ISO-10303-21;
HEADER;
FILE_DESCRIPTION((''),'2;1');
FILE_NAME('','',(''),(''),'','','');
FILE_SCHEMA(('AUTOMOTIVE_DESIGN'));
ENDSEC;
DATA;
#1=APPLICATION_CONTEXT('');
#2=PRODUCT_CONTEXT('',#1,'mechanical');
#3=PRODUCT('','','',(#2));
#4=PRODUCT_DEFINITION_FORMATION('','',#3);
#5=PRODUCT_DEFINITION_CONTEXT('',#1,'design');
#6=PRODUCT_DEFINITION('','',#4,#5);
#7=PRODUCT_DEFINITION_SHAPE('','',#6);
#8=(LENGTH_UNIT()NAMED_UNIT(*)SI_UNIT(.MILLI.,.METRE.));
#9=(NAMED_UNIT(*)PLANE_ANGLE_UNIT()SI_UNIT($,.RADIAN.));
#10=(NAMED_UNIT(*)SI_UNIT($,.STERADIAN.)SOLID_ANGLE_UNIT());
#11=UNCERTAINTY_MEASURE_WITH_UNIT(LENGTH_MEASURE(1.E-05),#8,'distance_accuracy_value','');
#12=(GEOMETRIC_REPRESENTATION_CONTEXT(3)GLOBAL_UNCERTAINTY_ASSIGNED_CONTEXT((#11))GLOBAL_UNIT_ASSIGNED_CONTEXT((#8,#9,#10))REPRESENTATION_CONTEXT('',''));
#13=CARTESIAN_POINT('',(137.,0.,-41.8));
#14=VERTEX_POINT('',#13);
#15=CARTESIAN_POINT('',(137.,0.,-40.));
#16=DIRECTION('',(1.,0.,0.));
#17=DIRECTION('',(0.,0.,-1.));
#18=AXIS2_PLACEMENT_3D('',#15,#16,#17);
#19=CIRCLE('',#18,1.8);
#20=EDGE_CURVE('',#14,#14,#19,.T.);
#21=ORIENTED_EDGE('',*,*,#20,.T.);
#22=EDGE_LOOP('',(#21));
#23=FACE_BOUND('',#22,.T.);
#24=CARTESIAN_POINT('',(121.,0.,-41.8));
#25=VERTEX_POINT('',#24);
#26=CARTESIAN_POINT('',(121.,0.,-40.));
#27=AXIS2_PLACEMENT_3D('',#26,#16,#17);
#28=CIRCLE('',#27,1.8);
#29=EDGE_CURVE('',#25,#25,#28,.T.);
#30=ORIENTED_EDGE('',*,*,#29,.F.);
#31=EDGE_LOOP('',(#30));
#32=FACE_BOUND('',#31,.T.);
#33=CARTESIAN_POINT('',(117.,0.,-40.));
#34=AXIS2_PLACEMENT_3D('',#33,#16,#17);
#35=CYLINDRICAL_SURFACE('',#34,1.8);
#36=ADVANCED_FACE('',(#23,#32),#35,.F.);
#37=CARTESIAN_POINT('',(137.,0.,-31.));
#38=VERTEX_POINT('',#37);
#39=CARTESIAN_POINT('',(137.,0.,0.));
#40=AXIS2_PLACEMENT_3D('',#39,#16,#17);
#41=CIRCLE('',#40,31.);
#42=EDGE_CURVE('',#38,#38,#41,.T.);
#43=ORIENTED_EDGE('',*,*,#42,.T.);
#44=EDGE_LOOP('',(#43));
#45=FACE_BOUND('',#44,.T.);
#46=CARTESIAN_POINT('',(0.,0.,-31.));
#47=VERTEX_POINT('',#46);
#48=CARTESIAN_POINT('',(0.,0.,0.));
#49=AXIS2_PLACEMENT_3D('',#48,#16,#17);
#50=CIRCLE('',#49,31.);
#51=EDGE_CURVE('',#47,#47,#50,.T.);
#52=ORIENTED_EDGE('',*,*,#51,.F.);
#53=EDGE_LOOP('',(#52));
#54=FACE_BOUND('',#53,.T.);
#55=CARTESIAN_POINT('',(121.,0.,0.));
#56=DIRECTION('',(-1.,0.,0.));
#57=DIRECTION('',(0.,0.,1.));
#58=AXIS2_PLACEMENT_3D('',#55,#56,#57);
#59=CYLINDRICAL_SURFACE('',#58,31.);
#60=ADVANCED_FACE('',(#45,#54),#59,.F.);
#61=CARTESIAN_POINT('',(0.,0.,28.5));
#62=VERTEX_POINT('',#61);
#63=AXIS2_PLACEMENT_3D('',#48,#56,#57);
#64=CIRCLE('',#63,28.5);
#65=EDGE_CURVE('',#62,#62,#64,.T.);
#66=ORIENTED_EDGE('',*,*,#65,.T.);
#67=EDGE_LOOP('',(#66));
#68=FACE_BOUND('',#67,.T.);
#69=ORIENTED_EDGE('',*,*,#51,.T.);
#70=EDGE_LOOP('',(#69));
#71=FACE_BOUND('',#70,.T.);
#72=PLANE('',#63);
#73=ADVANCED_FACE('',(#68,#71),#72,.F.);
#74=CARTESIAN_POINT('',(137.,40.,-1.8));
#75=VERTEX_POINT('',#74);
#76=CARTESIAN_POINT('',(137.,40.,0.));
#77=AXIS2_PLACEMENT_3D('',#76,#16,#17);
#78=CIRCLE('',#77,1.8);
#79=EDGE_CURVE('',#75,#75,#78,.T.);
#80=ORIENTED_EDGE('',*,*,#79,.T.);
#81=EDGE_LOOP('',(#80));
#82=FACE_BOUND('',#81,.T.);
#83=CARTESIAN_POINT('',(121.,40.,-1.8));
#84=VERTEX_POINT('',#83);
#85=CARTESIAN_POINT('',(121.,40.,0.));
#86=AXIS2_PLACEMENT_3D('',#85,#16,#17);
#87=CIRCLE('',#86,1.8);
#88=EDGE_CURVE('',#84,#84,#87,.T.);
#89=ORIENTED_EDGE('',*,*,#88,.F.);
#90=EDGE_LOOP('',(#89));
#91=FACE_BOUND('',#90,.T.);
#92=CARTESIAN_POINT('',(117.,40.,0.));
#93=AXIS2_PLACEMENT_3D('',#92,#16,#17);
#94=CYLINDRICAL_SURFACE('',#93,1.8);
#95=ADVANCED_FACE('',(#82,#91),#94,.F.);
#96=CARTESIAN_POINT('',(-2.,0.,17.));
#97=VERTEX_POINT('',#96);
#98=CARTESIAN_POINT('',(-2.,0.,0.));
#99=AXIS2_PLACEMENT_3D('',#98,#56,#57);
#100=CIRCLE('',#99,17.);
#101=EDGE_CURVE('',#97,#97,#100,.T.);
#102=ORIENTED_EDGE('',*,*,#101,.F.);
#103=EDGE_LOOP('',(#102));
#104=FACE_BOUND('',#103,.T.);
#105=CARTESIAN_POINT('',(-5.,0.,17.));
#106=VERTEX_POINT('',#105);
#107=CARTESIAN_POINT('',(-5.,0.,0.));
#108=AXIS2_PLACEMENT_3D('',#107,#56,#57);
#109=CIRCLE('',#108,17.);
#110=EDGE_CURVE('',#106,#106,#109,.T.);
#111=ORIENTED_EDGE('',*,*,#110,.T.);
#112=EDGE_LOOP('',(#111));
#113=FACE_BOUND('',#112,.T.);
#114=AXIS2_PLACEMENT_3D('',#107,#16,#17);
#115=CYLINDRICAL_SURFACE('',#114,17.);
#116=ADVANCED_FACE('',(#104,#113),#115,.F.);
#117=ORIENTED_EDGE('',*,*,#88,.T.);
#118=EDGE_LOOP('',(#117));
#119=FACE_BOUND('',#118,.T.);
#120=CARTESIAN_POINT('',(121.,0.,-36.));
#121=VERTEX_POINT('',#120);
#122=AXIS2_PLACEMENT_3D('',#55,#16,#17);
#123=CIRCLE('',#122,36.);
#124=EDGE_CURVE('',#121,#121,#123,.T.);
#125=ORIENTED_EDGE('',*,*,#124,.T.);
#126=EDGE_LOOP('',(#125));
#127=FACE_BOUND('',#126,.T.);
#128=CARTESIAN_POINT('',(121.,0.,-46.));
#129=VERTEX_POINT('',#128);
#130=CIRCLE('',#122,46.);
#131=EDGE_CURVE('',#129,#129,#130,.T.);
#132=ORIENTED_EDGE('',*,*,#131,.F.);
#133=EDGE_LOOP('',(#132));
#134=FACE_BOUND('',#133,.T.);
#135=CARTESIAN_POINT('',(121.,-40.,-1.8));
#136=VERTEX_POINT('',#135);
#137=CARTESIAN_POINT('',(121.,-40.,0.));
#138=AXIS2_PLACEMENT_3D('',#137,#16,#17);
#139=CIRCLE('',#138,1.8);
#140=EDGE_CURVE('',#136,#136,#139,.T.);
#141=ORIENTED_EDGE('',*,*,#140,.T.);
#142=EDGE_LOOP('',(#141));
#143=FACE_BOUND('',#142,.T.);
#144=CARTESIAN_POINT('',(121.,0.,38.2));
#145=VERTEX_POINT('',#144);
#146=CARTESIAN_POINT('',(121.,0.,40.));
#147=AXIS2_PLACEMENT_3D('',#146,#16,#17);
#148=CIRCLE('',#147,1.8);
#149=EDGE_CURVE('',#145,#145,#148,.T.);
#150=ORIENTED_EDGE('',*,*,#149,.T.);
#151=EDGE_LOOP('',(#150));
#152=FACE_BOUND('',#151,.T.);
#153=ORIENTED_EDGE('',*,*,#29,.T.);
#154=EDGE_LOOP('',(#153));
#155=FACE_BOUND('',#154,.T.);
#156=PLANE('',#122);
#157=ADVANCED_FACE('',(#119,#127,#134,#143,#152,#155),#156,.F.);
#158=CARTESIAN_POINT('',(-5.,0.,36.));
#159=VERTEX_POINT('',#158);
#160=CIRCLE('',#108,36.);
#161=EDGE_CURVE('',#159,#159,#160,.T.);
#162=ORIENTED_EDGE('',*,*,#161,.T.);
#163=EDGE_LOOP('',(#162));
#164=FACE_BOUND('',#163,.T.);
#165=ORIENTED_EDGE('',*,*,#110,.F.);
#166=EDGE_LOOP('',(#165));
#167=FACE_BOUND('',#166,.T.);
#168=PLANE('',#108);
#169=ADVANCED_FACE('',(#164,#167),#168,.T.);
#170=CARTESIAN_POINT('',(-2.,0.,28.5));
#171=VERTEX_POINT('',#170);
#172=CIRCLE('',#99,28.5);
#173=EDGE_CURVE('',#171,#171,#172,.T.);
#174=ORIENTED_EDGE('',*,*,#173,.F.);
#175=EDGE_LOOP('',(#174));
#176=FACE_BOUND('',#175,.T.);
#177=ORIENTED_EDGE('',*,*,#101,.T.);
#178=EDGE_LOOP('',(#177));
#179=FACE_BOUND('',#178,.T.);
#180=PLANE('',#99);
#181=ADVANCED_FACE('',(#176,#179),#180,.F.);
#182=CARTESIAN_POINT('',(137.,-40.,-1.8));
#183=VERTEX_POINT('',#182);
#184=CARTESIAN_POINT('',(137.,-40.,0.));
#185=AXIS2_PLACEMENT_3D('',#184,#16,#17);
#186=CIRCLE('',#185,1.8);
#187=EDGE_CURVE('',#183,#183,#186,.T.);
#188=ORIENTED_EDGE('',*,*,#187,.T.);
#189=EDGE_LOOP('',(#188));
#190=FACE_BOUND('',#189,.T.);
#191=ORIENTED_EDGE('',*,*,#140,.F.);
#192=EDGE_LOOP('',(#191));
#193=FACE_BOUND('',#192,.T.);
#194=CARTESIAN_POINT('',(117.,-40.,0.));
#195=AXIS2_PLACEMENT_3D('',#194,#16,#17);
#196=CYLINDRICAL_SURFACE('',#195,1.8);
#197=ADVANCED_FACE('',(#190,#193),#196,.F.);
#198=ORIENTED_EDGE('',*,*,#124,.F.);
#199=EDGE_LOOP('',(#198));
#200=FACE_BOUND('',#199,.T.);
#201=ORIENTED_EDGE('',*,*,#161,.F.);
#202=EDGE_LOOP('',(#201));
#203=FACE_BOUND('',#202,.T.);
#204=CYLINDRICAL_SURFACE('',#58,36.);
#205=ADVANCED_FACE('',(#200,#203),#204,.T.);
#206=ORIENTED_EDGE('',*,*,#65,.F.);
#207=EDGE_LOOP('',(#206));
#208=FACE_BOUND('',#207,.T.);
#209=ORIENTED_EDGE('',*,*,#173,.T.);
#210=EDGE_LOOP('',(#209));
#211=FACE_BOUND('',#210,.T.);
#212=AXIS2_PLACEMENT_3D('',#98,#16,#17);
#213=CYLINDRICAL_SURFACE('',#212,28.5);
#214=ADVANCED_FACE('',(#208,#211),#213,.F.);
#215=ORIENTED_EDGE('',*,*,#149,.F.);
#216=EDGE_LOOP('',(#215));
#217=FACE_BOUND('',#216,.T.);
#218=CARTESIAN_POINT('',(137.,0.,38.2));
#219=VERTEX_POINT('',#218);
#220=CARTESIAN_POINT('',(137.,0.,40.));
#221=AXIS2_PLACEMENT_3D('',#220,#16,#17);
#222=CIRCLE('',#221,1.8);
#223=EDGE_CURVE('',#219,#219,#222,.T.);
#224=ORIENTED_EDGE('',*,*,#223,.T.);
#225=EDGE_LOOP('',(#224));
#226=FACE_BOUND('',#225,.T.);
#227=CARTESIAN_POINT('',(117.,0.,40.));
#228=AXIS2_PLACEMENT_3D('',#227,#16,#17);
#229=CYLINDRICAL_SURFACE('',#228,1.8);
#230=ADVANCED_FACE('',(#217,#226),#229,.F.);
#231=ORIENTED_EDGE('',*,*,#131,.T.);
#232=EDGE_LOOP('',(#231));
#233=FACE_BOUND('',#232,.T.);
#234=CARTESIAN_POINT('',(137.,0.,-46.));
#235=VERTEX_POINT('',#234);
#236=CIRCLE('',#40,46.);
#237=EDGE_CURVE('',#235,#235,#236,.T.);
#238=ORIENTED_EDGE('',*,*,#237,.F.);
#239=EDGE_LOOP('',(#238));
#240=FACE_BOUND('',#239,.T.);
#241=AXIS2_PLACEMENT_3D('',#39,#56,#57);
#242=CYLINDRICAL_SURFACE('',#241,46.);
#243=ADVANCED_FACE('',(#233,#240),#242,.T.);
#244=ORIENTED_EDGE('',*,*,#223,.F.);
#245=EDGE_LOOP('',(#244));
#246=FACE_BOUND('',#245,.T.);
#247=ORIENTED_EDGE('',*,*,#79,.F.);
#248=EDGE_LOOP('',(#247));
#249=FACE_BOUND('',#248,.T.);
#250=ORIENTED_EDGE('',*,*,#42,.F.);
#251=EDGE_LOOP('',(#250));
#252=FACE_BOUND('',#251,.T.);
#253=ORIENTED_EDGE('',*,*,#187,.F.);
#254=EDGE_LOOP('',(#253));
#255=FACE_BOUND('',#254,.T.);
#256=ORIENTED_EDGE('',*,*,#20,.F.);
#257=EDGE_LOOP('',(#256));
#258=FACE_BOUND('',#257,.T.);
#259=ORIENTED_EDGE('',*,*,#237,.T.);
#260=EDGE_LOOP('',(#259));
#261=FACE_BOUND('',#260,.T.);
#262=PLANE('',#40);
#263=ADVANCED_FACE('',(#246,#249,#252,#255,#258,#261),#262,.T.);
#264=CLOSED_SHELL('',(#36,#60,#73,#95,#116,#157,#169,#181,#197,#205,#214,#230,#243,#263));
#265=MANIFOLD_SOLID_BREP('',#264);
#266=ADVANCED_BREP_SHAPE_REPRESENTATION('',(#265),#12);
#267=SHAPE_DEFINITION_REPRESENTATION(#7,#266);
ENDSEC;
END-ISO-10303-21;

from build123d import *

# Parameters (mm, degrees)
SKETCH_1_R          = 36
SKETCH_1_R_2        = 31
EXTRUDE_1_DEPTH     = 121
SKETCH_2_R          = 46
SKETCH_2_R_2        = 31
EXTRUDE_2_DEPTH     = 16
EXTRUDE_START       = 2
SKETCH_3_R          = 36
SKETCH_3_R_2        = 28.5
EXTRUDE_3_DEPTH     = 2
EXTRUDE_START_2     = 3
SKETCH_4_R          = 36
SKETCH_4_R_2        = 17
EXTRUDE_4_DEPTH     = 3
SKETCH_5_R          = 1.8
CUT_EXTRUDE_1_DEPTH = 20


with BuildPart() as part:
    # 草图1 → 凸台-拉伸1 (new body)
    with BuildSketch(Plane(origin=(0, 0, 0), x_dir=(0, 0, -1), z_dir=(1, 0, 0))):
        Circle(SKETCH_1_R)
        Circle(SKETCH_1_R_2, mode=Mode.SUBTRACT)
    extrude(amount=EXTRUDE_1_DEPTH)

    # 草图2 → 凸台-拉伸2 (add)
    with BuildSketch(Plane(origin=(121, 0, 0), x_dir=(0, 0, -1), z_dir=(1, 0, 0))):
        Circle(SKETCH_2_R)
        Circle(SKETCH_2_R_2, mode=Mode.SUBTRACT)
    extrude(amount=EXTRUDE_2_DEPTH)

    # 草图3 → 凸台-拉伸3 (add)
    with BuildSketch(Plane.ZY.offset(EXTRUDE_START)):
        Circle(SKETCH_3_R)
        Circle(SKETCH_3_R_2, mode=Mode.SUBTRACT)
    extrude(amount=-EXTRUDE_3_DEPTH)

    # 草图4 → 凸台-拉伸4 (add)
    with BuildSketch(Plane.ZY.offset(2).offset(EXTRUDE_START_2)):
        Circle(SKETCH_4_R)
        Circle(SKETCH_4_R_2, mode=Mode.SUBTRACT)
    extrude(amount=-EXTRUDE_4_DEPTH)

    # 草图5 → 切除-拉伸1 (cut)
    with BuildSketch(Plane(origin=(137, 0, 0), x_dir=(0, 0, -1), z_dir=(1, 0, 0))):
        with Locations((0, 40)):
            Circle(SKETCH_5_R)
        with Locations((40, 0)):
            Circle(SKETCH_5_R)
        with Locations((0, -40)):
            Circle(SKETCH_5_R)
        with Locations((-40, 0)):
            Circle(SKETCH_5_R)
    extrude(amount=-CUT_EXTRUDE_1_DEPTH, mode=Mode.SUBTRACT)


solid = part.part
